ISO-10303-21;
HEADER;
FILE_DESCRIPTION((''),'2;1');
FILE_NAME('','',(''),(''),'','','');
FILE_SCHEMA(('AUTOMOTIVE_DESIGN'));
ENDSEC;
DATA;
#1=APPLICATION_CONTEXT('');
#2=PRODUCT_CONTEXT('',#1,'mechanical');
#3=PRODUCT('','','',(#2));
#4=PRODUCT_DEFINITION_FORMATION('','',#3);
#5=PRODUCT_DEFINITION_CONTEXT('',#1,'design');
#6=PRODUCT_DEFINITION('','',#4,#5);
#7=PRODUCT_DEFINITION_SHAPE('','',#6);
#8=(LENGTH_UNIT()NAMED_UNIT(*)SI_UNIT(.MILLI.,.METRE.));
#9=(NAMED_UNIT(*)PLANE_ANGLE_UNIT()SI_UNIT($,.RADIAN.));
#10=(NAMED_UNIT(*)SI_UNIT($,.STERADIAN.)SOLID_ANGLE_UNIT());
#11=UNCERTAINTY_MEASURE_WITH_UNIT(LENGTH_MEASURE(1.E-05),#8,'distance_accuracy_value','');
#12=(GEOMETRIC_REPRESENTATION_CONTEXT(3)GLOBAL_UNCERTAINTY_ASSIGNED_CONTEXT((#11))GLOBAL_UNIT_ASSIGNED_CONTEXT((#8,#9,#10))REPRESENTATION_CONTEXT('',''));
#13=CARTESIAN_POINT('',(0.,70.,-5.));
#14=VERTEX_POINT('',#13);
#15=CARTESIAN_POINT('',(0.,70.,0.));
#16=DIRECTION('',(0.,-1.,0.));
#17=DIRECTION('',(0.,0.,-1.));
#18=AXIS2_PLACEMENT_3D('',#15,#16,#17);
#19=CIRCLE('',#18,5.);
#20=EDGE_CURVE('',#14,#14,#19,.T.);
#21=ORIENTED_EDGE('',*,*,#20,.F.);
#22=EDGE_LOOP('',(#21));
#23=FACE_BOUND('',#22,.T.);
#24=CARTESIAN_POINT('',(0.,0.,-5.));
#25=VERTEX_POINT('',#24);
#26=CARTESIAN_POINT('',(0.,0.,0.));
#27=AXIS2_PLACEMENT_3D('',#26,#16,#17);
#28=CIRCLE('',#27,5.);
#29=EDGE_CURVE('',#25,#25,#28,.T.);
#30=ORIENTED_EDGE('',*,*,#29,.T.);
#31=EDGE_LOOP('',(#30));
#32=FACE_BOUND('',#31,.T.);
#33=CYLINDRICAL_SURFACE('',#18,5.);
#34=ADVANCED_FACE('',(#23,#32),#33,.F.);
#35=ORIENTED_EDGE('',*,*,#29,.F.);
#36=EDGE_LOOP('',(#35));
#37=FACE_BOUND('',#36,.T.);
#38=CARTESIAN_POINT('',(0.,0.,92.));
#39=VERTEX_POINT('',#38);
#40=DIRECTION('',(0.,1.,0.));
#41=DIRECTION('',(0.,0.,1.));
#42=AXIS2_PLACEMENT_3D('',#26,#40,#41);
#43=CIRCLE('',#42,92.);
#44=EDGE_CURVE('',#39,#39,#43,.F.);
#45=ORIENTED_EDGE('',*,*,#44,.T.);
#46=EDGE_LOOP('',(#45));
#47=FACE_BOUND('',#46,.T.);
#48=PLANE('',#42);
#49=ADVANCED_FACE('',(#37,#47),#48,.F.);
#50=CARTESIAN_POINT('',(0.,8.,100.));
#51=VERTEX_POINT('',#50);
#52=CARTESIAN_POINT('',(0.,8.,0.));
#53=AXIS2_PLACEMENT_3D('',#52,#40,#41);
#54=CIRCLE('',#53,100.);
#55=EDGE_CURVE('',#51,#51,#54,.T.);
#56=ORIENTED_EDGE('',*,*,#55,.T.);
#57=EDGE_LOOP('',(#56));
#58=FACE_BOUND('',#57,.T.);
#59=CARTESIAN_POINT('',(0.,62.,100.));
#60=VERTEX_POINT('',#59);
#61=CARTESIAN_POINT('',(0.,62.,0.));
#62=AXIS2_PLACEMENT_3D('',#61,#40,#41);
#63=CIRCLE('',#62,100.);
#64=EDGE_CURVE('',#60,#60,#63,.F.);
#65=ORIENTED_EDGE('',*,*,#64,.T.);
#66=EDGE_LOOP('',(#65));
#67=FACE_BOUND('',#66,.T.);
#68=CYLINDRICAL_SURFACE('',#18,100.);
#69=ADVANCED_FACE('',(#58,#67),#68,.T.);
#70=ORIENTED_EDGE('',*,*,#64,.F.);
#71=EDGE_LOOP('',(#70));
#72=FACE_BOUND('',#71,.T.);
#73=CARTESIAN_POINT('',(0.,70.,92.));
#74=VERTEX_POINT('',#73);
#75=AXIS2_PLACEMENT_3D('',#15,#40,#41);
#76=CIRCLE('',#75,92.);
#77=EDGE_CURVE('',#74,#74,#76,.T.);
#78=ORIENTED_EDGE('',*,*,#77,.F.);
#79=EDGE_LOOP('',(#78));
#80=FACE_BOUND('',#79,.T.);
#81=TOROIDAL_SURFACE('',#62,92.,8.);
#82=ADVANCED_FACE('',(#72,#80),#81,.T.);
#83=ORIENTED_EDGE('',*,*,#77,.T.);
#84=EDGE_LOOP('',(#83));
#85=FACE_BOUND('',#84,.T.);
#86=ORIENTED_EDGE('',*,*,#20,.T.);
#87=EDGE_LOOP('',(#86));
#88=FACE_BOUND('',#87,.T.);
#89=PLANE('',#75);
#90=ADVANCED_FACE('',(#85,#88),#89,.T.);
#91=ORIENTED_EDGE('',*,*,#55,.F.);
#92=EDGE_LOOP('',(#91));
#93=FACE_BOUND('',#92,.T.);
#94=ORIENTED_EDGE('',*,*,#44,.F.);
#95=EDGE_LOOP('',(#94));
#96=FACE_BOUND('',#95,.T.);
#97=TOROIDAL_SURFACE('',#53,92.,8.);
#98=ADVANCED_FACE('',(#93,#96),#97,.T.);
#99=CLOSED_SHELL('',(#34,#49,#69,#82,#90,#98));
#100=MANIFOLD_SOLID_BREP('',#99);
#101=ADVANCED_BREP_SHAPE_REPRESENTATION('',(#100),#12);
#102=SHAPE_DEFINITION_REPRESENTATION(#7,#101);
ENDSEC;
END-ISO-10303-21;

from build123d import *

# Parameters (mm, degrees)
SKETCH_1_R          = 100
EXTRUDE_1_DEPTH     = 70
FILLET_1_R          = 8
SKETCH_2_R          = 5
CUT_EXTRUDE_1_DEPTH = 158.797338444


with BuildPart() as part:
    # 草图1 → 凸台-拉伸1 (new body)
    with BuildSketch(Plane(origin=(0, 0, 0), x_dir=(1, 0, 0), z_dir=(0, 1, 0))):
        with Locations(Location((0, 0, 0), (0, 0, 270))):
            Circle(SKETCH_1_R)
    extrude(amount=EXTRUDE_1_DEPTH)

    # 圆角1
    fillet_1_edges = [part.edges().sort_by_distance(p)[0] for p in [
        (0, 0, -100),
        (0, 70, -100),
    ]]
    fillet(fillet_1_edges, radius=FILLET_1_R)

    # 草图2 → 切除-拉伸1 (cut, through all)
    with BuildSketch(Plane.XZ):
        with Locations(Location((0, 0, 0), (0, 0, 270))):
            Circle(SKETCH_2_R)
    extrude(amount=-CUT_EXTRUDE_1_DEPTH, mode=Mode.SUBTRACT)


solid = part.part
